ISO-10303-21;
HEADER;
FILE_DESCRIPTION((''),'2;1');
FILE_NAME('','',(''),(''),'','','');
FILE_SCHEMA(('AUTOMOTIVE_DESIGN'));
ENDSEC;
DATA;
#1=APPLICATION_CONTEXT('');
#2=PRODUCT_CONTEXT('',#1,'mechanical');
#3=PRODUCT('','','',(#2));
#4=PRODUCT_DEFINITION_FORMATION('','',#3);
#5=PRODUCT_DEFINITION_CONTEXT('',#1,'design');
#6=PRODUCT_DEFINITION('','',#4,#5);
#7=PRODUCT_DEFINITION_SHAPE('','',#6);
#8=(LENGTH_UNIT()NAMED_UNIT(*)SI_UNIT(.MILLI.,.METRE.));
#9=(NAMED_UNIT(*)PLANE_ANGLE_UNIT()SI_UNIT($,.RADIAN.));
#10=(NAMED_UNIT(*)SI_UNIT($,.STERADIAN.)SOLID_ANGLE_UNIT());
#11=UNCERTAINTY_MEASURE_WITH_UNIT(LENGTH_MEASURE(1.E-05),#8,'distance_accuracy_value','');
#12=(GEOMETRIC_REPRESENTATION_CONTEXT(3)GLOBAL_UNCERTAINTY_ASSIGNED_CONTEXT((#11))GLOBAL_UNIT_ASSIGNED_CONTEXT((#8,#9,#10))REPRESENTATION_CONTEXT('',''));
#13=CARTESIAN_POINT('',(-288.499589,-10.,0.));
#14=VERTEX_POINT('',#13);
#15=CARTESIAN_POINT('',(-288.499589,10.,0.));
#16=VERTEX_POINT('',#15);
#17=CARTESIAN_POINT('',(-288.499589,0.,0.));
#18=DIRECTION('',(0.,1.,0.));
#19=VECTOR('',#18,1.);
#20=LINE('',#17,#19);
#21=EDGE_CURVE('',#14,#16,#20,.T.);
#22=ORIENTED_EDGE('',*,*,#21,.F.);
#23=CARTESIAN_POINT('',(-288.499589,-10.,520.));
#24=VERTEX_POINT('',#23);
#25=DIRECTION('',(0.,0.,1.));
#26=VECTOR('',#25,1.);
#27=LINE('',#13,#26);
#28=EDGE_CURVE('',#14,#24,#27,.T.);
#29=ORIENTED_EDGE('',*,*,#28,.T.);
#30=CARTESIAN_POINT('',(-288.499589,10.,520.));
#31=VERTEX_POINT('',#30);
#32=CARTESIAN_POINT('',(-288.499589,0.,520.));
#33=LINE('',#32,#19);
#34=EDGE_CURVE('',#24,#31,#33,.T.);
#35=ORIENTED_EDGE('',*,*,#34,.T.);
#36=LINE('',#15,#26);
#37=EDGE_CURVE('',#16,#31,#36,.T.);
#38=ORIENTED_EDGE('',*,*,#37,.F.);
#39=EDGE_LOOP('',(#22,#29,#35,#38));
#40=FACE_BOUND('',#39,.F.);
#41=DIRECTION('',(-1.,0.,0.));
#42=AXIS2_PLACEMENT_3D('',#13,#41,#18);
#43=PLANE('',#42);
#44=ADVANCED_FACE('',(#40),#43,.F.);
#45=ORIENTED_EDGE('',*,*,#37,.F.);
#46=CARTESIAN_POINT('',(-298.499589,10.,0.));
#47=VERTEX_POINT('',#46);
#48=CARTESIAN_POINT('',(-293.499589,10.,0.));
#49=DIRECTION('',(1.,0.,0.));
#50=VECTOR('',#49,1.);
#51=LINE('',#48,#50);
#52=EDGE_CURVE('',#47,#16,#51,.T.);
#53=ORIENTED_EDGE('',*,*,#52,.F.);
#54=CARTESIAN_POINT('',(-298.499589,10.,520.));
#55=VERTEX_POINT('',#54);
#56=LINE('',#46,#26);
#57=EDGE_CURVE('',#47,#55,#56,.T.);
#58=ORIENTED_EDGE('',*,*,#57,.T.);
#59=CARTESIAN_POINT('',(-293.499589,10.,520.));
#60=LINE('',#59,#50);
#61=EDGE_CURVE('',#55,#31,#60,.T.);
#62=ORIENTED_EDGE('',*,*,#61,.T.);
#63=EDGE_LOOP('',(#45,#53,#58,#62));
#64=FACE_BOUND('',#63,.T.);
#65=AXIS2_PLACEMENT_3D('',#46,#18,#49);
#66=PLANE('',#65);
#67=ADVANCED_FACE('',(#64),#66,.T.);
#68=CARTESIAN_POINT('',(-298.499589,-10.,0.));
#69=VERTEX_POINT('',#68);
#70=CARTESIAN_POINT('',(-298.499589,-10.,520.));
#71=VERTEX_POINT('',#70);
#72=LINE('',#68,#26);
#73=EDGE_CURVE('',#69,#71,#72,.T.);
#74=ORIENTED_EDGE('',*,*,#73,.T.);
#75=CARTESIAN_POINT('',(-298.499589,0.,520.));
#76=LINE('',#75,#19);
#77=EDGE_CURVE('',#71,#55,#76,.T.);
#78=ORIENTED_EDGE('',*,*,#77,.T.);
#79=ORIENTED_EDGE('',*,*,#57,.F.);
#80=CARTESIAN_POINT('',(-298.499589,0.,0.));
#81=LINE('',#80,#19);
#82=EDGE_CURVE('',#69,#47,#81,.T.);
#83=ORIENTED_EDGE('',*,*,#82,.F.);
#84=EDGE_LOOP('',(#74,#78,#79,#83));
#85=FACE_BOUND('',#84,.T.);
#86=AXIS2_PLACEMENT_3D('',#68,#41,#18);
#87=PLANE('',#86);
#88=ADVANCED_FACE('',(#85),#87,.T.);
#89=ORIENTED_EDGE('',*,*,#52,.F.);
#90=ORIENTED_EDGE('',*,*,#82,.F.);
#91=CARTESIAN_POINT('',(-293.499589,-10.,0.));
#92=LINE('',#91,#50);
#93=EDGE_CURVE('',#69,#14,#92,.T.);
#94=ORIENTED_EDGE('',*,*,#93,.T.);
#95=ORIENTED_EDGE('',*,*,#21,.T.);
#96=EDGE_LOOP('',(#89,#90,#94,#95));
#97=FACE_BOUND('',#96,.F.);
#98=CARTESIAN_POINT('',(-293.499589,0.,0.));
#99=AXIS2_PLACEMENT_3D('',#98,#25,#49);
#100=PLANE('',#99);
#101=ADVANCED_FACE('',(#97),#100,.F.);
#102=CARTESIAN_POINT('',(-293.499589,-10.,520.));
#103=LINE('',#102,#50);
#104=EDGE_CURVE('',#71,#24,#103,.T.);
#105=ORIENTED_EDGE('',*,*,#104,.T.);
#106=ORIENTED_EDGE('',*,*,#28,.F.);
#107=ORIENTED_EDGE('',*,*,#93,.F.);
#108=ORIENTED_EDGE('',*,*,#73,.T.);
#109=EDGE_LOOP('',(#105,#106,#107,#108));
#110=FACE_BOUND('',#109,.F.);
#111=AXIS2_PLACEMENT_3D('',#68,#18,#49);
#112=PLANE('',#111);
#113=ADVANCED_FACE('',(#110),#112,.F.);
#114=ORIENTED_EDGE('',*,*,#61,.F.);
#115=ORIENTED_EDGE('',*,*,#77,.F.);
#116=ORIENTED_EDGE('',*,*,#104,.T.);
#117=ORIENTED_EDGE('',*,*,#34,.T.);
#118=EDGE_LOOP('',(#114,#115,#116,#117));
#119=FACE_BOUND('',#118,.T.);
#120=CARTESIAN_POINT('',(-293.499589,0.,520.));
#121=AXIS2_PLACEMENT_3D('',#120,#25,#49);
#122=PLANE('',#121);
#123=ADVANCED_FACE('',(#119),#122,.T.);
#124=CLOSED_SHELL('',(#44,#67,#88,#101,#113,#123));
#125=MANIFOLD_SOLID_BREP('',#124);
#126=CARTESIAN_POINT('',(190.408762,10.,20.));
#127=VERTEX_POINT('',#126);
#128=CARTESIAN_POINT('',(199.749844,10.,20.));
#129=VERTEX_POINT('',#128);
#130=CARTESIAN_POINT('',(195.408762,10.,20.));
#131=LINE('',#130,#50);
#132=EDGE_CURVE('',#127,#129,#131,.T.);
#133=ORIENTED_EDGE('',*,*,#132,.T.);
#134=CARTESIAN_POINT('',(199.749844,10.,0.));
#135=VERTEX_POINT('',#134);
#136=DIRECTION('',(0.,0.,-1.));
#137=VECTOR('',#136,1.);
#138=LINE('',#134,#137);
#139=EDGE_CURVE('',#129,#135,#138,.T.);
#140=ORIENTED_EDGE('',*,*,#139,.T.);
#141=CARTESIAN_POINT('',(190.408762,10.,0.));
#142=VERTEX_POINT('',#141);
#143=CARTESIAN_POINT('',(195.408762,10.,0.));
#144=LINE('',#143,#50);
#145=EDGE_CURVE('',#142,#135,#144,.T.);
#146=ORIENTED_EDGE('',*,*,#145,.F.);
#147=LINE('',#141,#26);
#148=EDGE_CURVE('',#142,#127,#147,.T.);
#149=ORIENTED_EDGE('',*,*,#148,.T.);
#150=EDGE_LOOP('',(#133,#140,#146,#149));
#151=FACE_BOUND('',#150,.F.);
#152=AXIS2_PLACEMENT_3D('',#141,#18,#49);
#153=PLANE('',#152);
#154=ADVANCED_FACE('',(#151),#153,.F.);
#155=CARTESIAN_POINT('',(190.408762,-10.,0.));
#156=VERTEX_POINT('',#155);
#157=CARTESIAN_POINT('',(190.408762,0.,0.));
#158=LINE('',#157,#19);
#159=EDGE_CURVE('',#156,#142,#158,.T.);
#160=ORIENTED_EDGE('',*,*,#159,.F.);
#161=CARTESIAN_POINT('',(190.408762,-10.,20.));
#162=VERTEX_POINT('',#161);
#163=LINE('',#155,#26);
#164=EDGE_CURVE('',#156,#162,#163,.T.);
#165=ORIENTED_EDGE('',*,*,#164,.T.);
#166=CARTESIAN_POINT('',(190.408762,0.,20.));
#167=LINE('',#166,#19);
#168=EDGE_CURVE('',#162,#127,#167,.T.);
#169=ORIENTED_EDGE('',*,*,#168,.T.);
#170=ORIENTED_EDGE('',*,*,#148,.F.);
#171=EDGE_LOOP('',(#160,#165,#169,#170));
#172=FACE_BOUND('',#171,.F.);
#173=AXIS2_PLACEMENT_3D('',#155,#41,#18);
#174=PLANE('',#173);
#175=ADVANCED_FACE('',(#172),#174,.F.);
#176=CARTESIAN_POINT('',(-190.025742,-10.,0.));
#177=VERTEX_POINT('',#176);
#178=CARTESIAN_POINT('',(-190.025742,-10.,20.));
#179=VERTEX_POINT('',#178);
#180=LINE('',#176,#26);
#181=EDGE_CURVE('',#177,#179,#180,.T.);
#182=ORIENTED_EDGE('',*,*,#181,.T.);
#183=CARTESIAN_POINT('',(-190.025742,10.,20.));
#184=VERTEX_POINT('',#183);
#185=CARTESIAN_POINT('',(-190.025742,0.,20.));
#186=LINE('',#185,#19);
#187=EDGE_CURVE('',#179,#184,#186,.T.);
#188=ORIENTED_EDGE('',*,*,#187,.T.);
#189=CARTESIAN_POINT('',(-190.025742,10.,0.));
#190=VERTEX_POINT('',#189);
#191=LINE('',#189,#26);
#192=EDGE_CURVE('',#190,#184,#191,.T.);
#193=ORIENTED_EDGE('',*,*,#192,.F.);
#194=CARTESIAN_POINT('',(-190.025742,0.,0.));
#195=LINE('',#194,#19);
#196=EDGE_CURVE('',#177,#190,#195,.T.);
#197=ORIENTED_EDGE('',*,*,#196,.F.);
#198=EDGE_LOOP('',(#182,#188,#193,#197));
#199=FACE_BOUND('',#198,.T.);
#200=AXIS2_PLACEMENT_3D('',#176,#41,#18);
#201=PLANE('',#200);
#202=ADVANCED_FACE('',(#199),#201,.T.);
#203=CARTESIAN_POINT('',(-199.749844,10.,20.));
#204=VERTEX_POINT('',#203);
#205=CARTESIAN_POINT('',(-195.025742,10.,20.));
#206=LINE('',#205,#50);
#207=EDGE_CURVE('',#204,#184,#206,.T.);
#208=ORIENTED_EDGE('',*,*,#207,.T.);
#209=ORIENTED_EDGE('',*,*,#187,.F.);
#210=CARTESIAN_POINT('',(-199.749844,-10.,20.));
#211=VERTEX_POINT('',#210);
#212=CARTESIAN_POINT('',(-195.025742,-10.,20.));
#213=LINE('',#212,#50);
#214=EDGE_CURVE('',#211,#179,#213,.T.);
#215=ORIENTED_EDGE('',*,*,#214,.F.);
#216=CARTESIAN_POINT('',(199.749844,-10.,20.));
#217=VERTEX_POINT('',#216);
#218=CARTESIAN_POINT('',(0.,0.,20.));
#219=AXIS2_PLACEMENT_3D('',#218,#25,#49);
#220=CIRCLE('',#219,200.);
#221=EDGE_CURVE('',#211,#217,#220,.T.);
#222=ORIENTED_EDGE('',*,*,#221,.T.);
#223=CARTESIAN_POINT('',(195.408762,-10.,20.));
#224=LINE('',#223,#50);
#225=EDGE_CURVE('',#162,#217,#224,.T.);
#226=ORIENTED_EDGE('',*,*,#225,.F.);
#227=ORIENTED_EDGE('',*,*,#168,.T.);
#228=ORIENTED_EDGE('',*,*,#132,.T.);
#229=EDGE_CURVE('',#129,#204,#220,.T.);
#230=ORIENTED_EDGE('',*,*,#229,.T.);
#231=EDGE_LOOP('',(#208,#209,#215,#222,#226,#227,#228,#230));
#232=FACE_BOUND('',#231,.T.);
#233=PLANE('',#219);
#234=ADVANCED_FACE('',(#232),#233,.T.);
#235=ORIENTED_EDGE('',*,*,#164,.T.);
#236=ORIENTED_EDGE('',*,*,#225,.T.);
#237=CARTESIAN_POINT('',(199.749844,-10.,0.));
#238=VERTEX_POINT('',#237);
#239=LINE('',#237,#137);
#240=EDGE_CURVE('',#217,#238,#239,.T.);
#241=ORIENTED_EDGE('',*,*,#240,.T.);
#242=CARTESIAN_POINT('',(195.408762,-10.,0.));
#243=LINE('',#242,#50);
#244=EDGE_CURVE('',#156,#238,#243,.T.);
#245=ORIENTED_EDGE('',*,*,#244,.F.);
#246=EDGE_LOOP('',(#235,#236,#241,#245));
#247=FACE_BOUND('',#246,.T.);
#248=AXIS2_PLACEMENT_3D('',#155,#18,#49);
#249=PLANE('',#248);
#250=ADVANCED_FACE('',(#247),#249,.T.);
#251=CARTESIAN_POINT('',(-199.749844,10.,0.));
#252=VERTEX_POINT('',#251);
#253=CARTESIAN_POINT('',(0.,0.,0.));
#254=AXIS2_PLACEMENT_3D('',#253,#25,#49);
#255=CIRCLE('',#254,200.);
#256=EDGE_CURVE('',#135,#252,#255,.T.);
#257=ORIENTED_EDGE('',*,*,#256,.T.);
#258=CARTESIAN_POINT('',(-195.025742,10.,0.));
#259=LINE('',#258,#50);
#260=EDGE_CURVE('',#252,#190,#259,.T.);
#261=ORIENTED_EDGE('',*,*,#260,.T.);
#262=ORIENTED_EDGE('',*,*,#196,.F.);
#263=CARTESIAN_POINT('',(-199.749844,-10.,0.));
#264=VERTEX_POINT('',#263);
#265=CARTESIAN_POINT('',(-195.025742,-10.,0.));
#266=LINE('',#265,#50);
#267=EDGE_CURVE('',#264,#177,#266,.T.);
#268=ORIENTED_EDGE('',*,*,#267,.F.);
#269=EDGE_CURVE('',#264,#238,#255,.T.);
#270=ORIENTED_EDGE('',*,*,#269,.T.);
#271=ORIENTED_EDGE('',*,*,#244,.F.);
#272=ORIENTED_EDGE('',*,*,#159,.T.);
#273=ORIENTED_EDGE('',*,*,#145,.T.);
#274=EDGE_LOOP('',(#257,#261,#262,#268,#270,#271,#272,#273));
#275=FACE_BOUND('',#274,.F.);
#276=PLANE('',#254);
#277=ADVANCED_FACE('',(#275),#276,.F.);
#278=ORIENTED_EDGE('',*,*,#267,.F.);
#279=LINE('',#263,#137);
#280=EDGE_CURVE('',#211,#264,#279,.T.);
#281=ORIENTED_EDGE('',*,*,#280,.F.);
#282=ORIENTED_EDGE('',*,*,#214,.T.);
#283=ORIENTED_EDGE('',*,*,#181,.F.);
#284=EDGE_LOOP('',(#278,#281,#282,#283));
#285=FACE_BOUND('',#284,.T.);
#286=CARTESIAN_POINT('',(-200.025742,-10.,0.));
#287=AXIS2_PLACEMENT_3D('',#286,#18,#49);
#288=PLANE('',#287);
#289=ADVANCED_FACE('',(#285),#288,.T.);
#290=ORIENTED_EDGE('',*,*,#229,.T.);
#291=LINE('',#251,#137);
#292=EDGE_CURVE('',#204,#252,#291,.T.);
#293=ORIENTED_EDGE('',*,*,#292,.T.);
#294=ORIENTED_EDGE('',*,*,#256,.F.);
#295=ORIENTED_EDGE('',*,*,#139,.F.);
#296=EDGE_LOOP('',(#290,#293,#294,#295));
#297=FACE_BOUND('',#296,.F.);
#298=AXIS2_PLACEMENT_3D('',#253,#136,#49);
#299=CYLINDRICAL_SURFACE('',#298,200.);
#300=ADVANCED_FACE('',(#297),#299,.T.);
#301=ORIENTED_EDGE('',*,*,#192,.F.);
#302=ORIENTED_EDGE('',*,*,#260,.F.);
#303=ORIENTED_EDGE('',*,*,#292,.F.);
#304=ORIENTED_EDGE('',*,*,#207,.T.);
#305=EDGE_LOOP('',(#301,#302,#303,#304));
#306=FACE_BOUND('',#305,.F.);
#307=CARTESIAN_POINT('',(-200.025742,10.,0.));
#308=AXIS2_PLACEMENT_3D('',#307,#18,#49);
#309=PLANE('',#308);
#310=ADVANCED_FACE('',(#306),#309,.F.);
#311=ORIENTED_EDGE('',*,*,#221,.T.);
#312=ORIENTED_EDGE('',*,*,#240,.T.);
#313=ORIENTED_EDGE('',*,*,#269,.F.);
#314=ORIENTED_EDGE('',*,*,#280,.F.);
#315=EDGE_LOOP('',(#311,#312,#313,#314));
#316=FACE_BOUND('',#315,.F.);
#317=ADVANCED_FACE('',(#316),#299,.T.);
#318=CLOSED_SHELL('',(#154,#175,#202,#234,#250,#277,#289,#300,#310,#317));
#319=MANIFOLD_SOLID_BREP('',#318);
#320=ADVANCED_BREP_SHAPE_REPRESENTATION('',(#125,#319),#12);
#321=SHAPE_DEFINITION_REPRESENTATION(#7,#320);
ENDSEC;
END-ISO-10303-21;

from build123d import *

# Parameters (mm, degrees)
F0_W     = 10
F0_H     = 20
F1_DEPTH = 520
F2_R     = 200
F3_DEPTH = 20
F4_W     = 10
F4_H     = 20
F5_DEPTH = 20
F6_W     = 10
F6_H     = 20
F7_DEPTH = 20


with BuildPart() as f1:
    # F0 (on Top) → F1 (new body)
    with BuildSketch(Plane.XY):
        with Locations((-293.499589, 0)):
            Rectangle(F0_W, F0_H)
    extrude(amount=F1_DEPTH)


with BuildPart() as f3:
    # F2 (on Top) → F3 (new body)
    with BuildSketch(Plane.XY):
        Circle(F2_R)
    extrude(amount=F3_DEPTH)

    # F4 (on Top) → F5 (cut)
    with BuildSketch(Plane.XY):
        with Locations((-195.025742, 0)):
            Rectangle(F4_W, F4_H)
    extrude(amount=F5_DEPTH, mode=Mode.SUBTRACT)

    # F6 (on Top) → F7 (cut)
    with BuildSketch(Plane.XY):
        with Locations((195.408762, 0)):
            Rectangle(F6_W, F6_H)
    extrude(amount=F7_DEPTH, mode=Mode.SUBTRACT)


solid = Compound([f1.part, f3.part])
